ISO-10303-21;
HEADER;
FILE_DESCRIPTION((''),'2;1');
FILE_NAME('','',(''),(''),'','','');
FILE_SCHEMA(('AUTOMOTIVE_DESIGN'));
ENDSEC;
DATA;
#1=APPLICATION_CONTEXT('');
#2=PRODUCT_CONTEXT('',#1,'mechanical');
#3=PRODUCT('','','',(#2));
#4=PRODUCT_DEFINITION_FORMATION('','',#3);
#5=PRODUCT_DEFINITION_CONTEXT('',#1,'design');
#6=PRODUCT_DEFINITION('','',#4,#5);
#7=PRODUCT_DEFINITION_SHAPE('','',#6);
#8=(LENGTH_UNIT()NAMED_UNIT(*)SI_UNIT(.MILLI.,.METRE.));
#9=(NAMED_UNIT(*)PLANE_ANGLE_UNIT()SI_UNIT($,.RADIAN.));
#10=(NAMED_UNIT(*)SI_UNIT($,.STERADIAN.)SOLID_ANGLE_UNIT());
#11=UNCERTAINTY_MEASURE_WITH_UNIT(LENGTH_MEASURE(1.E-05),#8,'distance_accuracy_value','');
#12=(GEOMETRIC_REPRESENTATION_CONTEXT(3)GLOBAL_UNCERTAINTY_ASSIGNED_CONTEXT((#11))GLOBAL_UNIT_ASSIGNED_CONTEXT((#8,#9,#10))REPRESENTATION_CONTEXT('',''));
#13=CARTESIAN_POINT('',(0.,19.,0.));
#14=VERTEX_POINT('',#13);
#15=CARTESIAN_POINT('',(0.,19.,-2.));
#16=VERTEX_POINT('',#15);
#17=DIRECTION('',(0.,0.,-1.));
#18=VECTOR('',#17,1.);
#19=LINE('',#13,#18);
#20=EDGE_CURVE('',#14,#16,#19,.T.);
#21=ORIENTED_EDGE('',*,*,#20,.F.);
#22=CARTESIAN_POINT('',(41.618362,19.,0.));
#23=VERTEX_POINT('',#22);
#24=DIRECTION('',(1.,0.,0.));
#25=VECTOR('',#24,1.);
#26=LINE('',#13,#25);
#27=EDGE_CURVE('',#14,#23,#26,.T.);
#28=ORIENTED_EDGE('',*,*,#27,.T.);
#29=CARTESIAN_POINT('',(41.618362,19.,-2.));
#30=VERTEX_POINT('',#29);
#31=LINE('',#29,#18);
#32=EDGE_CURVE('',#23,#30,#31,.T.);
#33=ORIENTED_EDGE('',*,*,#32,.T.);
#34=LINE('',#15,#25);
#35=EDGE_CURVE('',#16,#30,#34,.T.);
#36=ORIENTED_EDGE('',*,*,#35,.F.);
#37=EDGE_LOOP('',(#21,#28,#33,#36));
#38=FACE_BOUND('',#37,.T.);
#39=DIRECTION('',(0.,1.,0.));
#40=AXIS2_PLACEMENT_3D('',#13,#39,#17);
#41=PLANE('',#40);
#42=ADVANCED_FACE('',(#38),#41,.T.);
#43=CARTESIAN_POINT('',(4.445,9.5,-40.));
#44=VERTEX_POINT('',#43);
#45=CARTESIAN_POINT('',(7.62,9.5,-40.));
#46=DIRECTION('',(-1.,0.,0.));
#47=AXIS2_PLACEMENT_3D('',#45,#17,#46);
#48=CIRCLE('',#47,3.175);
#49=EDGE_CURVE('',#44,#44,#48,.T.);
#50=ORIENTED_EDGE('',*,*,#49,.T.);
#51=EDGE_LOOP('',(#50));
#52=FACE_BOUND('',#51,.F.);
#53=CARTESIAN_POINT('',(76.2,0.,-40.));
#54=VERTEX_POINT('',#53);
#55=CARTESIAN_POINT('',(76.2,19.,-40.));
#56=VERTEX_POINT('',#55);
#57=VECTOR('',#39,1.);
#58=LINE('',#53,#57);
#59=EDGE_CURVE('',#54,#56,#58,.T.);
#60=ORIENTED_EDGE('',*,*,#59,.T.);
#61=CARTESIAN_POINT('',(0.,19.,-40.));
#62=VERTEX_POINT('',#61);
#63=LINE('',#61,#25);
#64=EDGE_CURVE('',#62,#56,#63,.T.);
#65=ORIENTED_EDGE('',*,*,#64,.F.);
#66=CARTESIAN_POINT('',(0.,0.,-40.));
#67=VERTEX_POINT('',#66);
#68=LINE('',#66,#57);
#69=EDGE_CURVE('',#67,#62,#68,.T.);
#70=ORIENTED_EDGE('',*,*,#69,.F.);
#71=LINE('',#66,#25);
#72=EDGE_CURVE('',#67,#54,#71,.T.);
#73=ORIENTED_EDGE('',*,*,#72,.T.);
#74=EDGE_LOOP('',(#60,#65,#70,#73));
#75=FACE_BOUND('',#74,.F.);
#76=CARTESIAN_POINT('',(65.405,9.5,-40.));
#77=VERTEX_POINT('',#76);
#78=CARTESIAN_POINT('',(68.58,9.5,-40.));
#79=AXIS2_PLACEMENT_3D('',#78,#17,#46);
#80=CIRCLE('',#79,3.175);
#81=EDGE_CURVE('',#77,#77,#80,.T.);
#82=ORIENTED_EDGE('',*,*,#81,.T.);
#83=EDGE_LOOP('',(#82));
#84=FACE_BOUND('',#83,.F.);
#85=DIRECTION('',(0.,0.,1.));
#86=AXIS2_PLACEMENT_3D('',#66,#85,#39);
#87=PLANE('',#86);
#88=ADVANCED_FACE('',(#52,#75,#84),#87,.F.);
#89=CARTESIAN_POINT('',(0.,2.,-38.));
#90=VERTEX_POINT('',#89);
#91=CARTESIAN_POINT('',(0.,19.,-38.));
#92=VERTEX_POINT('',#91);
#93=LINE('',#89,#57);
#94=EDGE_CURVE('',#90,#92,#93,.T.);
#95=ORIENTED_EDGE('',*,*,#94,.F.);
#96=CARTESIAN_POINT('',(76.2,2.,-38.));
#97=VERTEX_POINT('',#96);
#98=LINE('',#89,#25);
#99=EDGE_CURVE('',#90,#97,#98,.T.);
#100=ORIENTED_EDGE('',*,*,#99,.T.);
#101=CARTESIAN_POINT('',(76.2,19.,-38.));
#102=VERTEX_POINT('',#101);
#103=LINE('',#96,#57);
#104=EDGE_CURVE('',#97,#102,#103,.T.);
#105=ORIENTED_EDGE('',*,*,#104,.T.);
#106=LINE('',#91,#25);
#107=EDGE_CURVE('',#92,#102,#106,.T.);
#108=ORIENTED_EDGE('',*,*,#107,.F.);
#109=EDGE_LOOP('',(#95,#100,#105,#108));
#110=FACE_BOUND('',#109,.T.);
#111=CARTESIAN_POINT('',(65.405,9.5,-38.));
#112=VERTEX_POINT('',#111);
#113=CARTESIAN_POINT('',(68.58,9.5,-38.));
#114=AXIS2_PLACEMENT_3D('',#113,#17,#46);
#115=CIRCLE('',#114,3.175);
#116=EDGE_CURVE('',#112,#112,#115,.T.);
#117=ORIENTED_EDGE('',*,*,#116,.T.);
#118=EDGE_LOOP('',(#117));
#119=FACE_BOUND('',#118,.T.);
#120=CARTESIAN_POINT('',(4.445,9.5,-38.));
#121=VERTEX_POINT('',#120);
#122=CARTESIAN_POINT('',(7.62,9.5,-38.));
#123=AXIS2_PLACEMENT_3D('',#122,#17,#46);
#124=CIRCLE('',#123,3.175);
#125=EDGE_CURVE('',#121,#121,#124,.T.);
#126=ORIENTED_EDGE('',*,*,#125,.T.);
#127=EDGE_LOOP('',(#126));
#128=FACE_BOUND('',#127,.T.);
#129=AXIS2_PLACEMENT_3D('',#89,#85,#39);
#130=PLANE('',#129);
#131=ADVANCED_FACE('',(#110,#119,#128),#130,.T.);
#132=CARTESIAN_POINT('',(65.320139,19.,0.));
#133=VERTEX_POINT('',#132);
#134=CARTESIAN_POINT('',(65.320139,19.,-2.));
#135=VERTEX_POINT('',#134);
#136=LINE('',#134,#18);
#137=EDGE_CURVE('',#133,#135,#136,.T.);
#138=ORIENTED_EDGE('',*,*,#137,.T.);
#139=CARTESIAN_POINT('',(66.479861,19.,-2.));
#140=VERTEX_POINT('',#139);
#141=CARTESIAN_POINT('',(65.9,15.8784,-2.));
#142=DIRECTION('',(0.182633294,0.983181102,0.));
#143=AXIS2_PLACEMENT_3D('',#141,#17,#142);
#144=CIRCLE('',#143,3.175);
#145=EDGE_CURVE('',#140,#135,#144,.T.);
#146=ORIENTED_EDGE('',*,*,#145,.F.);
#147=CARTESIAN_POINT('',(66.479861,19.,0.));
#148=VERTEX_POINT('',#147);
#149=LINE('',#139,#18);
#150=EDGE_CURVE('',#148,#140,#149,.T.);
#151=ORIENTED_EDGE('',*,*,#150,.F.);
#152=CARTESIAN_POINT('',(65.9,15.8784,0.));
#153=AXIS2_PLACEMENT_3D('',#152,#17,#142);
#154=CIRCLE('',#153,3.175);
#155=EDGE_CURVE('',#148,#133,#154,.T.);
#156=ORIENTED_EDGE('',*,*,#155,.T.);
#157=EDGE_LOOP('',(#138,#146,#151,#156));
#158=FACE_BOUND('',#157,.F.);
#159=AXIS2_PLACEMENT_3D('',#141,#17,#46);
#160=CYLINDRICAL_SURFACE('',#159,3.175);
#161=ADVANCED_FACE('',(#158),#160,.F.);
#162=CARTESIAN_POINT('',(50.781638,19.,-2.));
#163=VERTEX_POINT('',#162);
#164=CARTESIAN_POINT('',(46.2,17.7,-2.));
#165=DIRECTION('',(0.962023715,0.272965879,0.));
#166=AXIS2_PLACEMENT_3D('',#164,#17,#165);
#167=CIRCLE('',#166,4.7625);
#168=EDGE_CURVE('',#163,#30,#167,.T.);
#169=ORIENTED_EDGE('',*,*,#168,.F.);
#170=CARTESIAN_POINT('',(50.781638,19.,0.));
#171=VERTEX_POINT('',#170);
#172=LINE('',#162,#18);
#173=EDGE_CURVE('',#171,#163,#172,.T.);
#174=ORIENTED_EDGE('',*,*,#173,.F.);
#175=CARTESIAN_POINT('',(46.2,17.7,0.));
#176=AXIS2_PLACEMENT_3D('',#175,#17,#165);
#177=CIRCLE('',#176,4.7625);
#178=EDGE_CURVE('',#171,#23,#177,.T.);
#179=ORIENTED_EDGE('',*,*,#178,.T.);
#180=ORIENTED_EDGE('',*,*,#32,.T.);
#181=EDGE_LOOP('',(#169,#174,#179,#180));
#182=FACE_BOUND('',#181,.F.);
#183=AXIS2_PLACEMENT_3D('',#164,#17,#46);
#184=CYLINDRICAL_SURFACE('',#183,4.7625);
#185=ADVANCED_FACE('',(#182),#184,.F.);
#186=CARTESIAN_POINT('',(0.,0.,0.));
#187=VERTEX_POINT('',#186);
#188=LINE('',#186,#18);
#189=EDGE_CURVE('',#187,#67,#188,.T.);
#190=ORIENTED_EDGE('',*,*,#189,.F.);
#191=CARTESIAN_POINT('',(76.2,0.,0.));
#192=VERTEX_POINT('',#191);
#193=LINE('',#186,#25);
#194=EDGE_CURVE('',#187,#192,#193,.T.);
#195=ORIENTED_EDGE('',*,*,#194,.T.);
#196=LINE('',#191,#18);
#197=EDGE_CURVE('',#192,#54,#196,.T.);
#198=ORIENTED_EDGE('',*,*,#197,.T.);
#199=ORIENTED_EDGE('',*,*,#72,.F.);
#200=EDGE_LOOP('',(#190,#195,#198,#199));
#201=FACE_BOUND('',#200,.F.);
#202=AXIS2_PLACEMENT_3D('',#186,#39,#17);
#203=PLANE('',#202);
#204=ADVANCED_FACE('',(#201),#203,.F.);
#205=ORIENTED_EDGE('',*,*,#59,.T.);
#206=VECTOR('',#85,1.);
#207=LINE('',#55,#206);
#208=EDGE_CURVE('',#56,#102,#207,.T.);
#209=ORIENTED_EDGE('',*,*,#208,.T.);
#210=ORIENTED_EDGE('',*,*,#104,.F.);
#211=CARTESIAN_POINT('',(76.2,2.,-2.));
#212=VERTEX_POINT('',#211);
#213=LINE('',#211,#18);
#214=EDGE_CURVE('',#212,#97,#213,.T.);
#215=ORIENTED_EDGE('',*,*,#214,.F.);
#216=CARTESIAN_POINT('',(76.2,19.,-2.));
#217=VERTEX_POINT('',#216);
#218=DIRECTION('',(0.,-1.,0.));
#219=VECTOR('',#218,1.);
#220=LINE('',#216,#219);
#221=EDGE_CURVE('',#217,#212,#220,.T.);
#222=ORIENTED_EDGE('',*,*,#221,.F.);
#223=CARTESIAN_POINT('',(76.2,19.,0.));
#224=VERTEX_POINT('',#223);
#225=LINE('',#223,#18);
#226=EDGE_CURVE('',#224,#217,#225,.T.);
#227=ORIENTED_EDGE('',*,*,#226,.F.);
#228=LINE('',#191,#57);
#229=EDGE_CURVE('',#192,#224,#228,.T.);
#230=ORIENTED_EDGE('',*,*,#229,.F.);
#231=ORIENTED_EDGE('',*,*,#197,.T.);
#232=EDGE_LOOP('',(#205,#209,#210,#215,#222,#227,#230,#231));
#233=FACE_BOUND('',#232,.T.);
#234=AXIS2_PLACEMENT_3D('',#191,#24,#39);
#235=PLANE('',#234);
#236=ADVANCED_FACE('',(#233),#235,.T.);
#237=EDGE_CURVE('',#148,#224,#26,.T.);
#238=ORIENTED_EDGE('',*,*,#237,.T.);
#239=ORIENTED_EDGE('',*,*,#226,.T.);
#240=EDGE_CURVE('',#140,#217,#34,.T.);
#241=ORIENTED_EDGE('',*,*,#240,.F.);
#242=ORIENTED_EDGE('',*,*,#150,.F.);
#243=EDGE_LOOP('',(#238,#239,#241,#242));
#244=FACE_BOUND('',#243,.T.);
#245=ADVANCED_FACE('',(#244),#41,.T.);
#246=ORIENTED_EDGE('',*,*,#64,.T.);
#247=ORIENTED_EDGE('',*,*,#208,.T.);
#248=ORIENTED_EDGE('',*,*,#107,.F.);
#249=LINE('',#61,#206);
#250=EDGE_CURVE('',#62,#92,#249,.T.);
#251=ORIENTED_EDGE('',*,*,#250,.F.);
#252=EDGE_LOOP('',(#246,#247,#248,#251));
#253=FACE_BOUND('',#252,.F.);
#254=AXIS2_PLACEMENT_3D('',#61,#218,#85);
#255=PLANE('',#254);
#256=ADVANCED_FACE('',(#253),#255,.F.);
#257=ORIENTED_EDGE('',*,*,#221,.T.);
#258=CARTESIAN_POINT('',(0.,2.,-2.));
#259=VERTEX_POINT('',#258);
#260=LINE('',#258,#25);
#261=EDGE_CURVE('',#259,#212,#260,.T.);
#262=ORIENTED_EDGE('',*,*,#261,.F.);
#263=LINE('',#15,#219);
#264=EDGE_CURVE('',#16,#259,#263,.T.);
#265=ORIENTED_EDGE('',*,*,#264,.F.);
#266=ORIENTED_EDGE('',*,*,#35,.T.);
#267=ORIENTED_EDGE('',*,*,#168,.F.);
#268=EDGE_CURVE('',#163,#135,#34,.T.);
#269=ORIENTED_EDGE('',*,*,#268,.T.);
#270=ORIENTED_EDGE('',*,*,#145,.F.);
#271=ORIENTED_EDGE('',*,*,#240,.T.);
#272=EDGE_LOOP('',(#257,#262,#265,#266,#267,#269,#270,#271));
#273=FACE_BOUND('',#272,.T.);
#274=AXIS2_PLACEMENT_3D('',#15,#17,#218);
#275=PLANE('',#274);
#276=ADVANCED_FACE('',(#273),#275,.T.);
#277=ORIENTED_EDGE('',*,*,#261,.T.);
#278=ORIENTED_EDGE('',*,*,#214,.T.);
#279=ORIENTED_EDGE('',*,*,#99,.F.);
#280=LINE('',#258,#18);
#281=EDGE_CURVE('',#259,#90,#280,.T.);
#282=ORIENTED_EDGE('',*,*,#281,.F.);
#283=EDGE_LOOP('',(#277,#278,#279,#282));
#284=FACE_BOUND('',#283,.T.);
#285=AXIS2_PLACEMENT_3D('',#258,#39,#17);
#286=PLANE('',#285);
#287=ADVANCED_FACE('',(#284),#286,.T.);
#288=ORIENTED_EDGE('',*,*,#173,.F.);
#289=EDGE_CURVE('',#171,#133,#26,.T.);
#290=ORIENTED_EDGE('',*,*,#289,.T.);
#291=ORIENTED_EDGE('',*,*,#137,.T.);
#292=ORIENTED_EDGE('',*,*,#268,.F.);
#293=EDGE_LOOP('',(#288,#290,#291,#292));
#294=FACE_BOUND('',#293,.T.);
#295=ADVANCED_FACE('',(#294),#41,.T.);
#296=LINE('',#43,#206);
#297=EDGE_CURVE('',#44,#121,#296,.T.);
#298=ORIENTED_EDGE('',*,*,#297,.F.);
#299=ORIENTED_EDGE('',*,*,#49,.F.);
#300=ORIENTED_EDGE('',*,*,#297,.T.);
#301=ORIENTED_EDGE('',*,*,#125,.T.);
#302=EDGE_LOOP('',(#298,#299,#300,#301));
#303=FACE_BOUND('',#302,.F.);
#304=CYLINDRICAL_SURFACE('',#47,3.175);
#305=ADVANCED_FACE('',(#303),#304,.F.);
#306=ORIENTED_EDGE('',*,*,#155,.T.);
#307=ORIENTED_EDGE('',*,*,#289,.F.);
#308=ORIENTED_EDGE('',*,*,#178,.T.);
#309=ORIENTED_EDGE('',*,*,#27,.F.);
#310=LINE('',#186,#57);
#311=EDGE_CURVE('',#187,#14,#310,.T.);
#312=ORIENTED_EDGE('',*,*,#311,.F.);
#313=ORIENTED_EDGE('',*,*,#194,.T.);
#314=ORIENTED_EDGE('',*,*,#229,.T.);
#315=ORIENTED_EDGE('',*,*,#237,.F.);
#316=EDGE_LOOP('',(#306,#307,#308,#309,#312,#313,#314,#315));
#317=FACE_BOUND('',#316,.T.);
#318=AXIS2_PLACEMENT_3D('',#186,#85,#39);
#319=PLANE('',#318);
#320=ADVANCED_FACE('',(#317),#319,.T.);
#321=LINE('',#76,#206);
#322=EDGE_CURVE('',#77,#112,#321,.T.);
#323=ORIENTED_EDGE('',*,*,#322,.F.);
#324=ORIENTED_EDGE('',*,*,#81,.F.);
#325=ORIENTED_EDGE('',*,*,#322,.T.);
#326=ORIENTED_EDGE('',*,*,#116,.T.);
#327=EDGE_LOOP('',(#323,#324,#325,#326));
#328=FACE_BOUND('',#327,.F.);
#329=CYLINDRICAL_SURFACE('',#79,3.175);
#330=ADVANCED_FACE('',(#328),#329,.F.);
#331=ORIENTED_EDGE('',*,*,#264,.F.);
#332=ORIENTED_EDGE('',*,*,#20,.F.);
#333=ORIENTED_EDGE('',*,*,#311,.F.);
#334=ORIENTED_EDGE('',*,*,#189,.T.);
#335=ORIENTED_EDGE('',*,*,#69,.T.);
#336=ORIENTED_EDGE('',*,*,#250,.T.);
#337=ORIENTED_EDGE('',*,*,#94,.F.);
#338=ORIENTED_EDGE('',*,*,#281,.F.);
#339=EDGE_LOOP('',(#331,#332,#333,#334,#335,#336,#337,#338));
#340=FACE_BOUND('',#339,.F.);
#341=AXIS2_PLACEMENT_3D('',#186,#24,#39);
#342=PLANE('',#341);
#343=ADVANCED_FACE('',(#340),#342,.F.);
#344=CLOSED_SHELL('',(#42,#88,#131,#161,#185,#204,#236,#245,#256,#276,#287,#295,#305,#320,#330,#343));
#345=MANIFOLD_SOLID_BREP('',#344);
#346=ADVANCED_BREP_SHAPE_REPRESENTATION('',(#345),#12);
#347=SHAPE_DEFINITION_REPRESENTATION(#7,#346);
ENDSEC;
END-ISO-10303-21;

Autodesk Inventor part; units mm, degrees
ref_plane "YZ Plane" through (0, 0, 0) normal (1, 0, 0) x (0, 1, 0)
ref_plane "XZ Plane" through (0, 0, 0) normal (0, 1, 0) x (-1, 0, 0)
ref_plane "XY Plane" through (0, 0, 0) normal (0, 0, 1) x (1, 0, 0)
sketch "Sketch1" plane through (0, 0, 0) normal (1, 0, 0) x (0, 1, 0)
  line L0 (0, 0) -> (0, -40)
  line L1 (0, -40) -> (19, -40)
  line L2 (19, -40) -> (19, -38)
  line L3 (0, 0) -> (19, 0)
  line L4 (19, 0) -> (19, -2)
  line L5 (0, -20) -> (2, -20) construction
  line L6 (19, -2) -> (2, -2)
  line L7 (2, -2) -> (2, -38)
  line L8 (2, -38) -> (19, -38)
  dimension "d0" = 40
  dimension "d1" = 19
  dimension "d2" = 2
  dimension "d3" = 2
  dimension "d4" = 2
extrude "Extrusion1" add sketch "Sketch1" along normal blind 76.2
sketch "Sketch2" plane through (0, 2, -2) normal (0, 0, -1) x (-1, 0, 0)
  circle A0 centre (-65.9, 13.8784) radius 3.175
  point P0 (0, -2)
extrude "Extrusion2" cut sketch "Sketch2" against normal blind 25.4
sketch "Sketch3" plane through (0, 2, -2) normal (0, 0, -1) x (-1, 0, 0)
  circle A0 centre (-46.2, 15.7) radius 4.7625
  point P0 (0, -2)
extrude "Extrusion3" cut sketch "Sketch3" against normal blind 25.4
sketch "Sketch4" plane through (0, 0, -40) normal (0, 0, -1) x (-1, 0, 0)
  line L0 (-76.2, 9.5) -> (-68.58, 9.5) construction
  line L1 (-76.2, 9.5) -> (-68.58, 9.5) construction
  circle A0 centre (-68.58, 9.5) radius 3.175
  line L2 (0, 0) -> (0, 19) projected
  line L3 (0, 0) -> (-76.2, 0) projected
  line L4 (0, 9.5) -> (-7.62, 9.5) construction
  circle A1 centre (-7.62, 9.5) radius 3.175
  dimension "d11" = 7.62
  dimension "d12" = 6.35
  dimension "d15" = 7.62
  dimension "d16" = 6.35
extrude "Extrusion4" cut sketch "Sketch4" against normal blind 25.4
properties part number "3in C-Channel (TopPlate Supports)" material "Aluminum 6061"
